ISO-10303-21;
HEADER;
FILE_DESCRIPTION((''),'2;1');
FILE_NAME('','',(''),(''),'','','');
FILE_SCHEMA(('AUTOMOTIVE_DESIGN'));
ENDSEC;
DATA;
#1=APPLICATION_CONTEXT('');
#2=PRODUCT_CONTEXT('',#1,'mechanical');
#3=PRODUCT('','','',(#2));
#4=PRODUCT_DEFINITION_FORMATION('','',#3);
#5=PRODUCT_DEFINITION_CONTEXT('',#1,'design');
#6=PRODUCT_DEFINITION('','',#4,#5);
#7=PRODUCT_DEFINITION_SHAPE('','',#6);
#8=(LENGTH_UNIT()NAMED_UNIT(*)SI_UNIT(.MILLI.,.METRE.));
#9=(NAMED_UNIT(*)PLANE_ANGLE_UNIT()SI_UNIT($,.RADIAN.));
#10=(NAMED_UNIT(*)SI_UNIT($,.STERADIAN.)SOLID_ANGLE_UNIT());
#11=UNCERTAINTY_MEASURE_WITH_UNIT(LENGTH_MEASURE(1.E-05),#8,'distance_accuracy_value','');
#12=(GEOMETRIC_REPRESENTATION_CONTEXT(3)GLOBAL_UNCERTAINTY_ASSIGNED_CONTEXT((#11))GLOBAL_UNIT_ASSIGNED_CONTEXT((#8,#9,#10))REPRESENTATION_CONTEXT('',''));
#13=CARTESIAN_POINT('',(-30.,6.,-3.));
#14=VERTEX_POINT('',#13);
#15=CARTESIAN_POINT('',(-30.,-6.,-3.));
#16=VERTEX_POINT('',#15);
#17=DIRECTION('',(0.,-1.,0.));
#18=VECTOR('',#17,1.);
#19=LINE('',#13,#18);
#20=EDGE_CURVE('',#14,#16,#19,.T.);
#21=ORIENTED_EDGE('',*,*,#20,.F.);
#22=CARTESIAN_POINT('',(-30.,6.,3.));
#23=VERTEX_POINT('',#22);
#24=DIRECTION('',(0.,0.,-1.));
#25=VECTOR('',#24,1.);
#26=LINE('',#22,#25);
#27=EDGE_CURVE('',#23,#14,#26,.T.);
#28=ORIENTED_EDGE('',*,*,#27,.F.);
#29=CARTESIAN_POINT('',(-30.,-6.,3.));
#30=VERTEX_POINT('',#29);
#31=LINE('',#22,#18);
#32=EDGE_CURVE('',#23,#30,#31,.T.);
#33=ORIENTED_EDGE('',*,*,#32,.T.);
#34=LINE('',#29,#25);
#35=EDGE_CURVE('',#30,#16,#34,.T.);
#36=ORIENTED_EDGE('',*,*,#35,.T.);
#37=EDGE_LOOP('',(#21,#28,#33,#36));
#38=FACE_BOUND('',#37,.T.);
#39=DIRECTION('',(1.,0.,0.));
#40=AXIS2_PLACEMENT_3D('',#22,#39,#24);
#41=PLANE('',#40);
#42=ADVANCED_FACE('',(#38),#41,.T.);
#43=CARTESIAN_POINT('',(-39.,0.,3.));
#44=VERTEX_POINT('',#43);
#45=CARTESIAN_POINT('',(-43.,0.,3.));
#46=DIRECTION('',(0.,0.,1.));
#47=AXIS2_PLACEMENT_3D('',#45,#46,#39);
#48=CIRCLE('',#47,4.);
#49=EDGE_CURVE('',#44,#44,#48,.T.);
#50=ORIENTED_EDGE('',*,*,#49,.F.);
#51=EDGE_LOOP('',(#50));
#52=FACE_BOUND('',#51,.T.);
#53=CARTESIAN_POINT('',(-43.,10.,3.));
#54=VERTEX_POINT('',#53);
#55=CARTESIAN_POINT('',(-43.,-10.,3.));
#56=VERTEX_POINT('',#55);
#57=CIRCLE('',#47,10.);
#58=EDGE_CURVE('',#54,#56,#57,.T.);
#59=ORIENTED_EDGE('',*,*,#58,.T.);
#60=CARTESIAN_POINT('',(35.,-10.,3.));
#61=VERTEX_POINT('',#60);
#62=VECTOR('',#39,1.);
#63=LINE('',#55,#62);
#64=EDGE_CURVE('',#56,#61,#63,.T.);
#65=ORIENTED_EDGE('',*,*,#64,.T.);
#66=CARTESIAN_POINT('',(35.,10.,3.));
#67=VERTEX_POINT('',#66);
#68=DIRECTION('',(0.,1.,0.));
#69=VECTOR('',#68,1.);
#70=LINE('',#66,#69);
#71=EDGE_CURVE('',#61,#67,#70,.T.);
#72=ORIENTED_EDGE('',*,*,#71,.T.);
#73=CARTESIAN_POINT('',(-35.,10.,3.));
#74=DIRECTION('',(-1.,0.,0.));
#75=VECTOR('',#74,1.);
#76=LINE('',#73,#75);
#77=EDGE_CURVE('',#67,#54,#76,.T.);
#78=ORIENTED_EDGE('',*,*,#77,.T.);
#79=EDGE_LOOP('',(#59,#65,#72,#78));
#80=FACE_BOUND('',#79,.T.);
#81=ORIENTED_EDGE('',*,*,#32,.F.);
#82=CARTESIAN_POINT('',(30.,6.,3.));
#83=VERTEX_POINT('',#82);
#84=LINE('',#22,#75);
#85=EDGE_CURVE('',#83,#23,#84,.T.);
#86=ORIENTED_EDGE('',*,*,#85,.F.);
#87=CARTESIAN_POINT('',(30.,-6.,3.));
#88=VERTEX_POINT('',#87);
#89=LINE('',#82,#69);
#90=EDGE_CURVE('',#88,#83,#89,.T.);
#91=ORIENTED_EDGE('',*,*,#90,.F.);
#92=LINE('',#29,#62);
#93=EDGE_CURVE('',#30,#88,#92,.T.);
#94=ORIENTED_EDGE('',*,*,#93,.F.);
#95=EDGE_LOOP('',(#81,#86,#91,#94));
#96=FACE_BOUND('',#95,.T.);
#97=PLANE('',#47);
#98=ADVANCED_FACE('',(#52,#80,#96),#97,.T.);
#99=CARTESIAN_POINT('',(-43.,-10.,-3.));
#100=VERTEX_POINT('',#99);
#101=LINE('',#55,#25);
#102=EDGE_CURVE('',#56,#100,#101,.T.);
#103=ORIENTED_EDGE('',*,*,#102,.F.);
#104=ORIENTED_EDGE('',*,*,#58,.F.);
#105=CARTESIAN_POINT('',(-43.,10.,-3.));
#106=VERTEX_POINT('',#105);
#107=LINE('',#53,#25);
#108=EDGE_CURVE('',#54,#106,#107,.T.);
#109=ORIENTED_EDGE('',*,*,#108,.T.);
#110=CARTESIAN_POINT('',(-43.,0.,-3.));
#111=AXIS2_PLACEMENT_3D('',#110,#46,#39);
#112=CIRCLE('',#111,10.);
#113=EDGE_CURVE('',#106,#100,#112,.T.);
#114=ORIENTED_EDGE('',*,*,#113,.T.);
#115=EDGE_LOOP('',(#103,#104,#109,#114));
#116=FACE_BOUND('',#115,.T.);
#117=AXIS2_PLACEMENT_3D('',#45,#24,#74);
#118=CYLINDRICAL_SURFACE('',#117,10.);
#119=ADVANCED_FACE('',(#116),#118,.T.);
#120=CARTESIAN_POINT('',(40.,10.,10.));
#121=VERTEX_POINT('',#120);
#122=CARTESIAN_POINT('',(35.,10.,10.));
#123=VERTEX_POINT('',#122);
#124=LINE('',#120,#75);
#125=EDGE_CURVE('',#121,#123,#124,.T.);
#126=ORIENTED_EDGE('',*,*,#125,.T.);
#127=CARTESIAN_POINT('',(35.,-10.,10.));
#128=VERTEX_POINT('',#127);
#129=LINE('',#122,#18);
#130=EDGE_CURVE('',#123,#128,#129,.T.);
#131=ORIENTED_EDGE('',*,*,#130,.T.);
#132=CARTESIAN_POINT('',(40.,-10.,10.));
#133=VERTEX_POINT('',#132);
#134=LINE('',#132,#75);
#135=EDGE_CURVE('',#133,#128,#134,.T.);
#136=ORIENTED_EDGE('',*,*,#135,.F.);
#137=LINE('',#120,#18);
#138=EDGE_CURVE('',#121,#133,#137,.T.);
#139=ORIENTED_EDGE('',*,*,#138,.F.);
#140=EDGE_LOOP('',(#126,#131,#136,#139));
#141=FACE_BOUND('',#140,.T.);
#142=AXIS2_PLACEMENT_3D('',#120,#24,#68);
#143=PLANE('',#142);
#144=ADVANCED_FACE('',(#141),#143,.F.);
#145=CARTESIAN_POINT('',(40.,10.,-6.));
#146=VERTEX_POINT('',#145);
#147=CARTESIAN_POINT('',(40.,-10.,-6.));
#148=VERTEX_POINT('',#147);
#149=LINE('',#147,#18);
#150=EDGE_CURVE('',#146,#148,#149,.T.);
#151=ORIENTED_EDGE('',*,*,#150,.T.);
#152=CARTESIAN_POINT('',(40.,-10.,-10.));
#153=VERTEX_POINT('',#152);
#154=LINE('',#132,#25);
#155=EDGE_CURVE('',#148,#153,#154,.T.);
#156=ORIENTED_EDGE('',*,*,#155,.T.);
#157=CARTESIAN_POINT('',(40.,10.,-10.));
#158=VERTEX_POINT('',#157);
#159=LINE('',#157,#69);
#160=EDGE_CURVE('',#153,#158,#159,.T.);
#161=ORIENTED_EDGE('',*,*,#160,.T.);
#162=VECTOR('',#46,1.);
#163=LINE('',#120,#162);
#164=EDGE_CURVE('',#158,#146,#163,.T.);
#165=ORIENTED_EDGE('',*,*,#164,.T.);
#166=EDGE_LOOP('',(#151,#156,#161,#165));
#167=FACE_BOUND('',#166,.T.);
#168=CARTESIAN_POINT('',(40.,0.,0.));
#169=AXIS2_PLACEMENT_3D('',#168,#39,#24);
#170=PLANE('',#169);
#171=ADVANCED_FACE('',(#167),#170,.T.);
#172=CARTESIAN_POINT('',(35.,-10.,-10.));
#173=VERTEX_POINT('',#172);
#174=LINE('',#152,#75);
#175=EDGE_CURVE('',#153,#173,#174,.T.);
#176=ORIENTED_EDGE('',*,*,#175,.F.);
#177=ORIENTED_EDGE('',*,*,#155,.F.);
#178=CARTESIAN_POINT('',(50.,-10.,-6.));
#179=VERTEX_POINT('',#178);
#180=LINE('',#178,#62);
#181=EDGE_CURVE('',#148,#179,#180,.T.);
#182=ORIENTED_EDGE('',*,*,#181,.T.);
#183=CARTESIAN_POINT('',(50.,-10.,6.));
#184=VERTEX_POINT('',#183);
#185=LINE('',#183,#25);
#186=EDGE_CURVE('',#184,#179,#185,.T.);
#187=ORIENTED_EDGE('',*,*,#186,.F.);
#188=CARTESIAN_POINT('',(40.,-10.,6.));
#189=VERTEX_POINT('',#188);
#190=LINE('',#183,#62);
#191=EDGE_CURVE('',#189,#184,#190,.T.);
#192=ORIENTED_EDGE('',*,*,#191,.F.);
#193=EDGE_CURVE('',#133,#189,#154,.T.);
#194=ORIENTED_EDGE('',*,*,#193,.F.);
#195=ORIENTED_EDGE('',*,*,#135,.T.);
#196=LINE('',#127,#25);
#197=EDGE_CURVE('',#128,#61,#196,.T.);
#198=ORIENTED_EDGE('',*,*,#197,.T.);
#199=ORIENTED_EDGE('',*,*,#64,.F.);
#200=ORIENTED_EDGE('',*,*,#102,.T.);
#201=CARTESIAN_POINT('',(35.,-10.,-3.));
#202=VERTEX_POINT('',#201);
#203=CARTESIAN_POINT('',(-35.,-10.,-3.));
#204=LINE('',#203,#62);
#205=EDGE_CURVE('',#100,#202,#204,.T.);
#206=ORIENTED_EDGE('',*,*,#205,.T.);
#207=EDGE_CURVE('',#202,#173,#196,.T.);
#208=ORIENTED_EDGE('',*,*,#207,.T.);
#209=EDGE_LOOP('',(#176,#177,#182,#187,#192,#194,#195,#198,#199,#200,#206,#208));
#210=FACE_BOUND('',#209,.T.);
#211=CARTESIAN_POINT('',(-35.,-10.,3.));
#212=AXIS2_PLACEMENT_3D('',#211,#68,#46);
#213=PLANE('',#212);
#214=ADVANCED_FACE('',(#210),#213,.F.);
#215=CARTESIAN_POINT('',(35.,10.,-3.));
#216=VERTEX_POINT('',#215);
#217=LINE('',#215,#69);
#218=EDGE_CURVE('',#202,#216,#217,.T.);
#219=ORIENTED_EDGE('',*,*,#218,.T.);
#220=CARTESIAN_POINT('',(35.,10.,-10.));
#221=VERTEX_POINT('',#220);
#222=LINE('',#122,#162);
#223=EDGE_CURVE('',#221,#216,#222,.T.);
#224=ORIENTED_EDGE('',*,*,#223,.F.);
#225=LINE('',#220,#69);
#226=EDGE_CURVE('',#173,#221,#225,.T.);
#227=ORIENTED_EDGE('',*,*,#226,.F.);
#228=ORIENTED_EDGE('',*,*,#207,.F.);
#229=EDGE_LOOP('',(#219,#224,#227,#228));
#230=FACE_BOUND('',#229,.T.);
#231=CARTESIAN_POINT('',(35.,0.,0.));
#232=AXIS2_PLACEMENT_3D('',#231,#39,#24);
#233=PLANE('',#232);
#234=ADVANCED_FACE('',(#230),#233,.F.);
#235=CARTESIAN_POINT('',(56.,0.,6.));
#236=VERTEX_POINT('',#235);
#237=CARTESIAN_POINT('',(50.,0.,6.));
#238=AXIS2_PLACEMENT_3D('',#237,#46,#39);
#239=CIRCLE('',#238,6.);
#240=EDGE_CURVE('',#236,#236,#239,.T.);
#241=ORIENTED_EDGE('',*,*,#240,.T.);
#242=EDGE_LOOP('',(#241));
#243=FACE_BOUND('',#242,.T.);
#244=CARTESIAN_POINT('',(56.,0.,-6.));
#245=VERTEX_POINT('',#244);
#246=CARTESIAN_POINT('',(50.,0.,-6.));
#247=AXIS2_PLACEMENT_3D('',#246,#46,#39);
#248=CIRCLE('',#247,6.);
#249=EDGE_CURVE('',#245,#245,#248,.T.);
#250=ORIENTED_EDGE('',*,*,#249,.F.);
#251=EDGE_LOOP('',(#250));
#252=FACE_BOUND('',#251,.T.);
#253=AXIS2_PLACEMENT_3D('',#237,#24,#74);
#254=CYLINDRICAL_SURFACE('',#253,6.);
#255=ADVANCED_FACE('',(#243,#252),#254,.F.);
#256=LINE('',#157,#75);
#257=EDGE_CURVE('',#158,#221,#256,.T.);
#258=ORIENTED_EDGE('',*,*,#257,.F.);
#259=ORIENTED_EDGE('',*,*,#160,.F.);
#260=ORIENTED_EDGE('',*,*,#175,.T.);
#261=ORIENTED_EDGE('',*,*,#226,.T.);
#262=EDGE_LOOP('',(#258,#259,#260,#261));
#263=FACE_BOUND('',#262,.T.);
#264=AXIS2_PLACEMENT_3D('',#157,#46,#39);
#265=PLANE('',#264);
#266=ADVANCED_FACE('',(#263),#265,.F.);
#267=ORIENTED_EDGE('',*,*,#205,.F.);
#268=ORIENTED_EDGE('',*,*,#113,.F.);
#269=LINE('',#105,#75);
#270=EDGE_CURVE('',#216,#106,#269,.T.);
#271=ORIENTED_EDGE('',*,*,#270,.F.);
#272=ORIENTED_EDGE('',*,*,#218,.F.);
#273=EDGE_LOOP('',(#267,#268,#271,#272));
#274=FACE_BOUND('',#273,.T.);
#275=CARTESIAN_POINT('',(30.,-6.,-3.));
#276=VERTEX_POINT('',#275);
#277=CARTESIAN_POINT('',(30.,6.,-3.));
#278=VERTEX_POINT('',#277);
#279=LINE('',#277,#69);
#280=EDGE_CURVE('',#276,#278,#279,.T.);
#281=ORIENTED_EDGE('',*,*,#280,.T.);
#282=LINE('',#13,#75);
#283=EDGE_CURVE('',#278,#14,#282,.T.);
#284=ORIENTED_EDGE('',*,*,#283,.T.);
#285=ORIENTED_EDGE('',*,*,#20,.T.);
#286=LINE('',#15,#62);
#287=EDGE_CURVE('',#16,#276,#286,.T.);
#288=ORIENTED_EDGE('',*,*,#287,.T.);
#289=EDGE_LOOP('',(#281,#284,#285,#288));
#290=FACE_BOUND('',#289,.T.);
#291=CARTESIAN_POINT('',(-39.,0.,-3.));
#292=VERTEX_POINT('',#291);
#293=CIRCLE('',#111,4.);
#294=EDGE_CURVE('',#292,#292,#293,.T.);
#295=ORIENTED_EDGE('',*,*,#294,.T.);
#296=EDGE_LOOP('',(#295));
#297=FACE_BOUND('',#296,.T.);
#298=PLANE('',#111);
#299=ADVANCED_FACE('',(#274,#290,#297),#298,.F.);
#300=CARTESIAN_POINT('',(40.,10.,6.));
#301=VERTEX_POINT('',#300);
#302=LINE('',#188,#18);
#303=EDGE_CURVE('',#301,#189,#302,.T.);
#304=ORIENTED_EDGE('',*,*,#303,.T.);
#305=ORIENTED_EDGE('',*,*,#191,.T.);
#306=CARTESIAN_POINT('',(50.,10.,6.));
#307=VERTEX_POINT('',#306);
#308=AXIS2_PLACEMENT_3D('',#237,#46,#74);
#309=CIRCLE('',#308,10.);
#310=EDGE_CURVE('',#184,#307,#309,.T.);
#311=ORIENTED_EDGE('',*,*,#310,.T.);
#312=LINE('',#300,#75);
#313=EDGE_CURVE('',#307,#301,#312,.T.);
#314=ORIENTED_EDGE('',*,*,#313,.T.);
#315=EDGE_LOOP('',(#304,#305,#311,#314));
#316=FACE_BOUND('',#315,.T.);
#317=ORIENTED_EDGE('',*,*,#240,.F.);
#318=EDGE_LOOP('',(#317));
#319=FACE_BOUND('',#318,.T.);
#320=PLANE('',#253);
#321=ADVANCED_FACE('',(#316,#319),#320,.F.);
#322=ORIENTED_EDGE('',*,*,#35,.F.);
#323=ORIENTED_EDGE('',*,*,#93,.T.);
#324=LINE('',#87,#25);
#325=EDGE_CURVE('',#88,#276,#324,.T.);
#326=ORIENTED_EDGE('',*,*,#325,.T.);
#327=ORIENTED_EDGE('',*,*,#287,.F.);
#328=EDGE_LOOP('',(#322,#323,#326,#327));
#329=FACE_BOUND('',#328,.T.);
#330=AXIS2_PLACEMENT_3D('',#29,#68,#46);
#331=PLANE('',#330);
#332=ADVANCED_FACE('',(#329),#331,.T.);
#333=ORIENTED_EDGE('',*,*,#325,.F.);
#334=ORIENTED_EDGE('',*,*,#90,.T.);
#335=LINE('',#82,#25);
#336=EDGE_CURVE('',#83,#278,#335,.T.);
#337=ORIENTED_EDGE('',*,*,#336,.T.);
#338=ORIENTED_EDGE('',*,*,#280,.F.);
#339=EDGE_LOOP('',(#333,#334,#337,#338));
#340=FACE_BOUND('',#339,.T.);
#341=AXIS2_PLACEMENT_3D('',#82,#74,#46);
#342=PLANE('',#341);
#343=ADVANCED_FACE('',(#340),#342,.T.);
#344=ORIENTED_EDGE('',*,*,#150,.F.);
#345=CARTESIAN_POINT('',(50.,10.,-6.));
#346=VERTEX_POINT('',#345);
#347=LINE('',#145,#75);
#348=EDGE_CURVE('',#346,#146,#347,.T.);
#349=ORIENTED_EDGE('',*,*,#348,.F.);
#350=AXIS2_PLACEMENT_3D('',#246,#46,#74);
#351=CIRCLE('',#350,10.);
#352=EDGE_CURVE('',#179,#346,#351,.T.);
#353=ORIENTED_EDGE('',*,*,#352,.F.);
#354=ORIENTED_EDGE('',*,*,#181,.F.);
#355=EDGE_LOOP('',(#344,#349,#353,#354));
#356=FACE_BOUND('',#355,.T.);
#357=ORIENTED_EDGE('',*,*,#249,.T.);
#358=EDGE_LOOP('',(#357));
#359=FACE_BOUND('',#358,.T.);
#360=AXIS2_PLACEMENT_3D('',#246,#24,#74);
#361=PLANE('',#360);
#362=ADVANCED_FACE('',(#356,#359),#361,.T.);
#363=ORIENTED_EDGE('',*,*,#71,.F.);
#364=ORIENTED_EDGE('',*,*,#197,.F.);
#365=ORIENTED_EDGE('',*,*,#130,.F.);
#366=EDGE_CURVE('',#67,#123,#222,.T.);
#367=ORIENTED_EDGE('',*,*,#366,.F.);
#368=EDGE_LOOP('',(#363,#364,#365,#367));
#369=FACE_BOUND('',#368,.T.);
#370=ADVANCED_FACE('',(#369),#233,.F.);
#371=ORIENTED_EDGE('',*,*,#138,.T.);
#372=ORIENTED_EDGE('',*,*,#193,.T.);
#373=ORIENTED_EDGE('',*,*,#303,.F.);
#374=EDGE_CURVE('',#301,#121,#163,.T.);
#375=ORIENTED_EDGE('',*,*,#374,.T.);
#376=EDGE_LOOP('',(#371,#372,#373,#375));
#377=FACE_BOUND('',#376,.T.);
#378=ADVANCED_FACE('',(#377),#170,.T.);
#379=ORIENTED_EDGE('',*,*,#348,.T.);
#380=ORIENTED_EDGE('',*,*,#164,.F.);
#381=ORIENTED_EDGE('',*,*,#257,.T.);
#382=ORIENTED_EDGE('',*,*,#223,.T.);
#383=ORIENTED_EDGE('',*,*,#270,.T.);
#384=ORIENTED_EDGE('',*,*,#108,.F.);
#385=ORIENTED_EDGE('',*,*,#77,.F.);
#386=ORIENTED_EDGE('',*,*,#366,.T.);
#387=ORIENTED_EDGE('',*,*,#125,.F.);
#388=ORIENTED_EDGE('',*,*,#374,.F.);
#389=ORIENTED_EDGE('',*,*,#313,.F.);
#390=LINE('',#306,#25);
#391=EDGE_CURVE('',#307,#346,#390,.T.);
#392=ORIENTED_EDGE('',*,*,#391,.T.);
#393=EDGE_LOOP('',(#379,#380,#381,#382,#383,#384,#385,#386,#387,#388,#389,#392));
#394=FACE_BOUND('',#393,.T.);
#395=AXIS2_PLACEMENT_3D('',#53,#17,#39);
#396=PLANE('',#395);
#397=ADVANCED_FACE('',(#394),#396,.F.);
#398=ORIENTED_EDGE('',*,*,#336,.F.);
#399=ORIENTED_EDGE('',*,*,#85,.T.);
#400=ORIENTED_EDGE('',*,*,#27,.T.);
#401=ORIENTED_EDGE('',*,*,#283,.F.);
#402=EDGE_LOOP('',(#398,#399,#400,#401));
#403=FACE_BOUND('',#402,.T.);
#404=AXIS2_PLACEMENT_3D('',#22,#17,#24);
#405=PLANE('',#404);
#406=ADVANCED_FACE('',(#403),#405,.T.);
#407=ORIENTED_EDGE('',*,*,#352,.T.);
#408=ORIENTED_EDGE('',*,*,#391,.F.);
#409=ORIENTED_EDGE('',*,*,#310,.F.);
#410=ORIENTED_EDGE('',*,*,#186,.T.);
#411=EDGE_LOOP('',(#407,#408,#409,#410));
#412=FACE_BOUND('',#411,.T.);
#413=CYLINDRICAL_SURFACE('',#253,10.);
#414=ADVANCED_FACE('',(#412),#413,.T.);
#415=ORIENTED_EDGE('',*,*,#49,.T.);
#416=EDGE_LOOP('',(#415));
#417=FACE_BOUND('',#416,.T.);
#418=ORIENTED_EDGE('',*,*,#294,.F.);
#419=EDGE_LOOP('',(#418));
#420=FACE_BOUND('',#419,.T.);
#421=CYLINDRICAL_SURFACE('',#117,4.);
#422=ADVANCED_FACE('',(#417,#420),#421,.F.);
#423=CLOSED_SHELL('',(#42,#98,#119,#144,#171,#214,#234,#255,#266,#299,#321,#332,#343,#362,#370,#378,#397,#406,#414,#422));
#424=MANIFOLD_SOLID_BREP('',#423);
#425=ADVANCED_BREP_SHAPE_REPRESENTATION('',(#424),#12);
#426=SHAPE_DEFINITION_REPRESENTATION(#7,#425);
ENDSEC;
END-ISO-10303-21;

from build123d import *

# Parameters (mm, degrees)
SKETCH_1_R      = 4
SKETCH_1_W      = 60
SKETCH_1_H      = 12
EXTRUDE_1_DEPTH = 3
EXTRUDE_START   = 35
SKETCH_2_W      = 20
SKETCH_2_H      = 20
EXTRUDE_2_DEPTH = 5
SKETCH_3_R      = 6
EXTRUDE_3_DEPTH = 6


with BuildPart() as part:
    # 草图1 → 凸台-拉伸1 (new, symmetric)
    with BuildSketch(Plane.XY):
        with BuildLine():
            Line((-35, 10), (35, 10))
            Line((35, 10), (35, -10))
            Line((35, -10), (-35, -10))
            Line((-35, -10), (-43, -10))
            ThreePointArc((-43, -10), (-53, 0), (-43, 10))
            Line((-43, 10), (-35, 10))
        make_face()
        with Locations((-43, 0)):
            Circle(SKETCH_1_R, mode=Mode.SUBTRACT)
        Rectangle(SKETCH_1_W, SKETCH_1_H, mode=Mode.SUBTRACT)
    extrude(amount=EXTRUDE_1_DEPTH, both=True)

    # 草图2 → 凸台-拉伸2 (add)
    with BuildSketch(Plane(origin=(0, 0, 0), x_dir=(0, 0, -1), z_dir=(1, 0, 0)).offset(EXTRUDE_START)):
        Rectangle(SKETCH_2_W, SKETCH_2_H)
    extrude(amount=EXTRUDE_2_DEPTH)

    # 草图3 → 凸台-拉伸3 (add, symmetric)
    with BuildSketch(Plane.XY):
        with BuildLine():
            Line((40, 10), (50, 10))
            ThreePointArc((50, 10), (60, 0), (50, -10))
            Line((50, -10), (40, -10))
            Line((40, -10), (40, 10))
        make_face()
        with Locations((50, 0)):
            Circle(SKETCH_3_R, mode=Mode.SUBTRACT)
    extrude(amount=EXTRUDE_3_DEPTH, both=True)


solid = part.part
